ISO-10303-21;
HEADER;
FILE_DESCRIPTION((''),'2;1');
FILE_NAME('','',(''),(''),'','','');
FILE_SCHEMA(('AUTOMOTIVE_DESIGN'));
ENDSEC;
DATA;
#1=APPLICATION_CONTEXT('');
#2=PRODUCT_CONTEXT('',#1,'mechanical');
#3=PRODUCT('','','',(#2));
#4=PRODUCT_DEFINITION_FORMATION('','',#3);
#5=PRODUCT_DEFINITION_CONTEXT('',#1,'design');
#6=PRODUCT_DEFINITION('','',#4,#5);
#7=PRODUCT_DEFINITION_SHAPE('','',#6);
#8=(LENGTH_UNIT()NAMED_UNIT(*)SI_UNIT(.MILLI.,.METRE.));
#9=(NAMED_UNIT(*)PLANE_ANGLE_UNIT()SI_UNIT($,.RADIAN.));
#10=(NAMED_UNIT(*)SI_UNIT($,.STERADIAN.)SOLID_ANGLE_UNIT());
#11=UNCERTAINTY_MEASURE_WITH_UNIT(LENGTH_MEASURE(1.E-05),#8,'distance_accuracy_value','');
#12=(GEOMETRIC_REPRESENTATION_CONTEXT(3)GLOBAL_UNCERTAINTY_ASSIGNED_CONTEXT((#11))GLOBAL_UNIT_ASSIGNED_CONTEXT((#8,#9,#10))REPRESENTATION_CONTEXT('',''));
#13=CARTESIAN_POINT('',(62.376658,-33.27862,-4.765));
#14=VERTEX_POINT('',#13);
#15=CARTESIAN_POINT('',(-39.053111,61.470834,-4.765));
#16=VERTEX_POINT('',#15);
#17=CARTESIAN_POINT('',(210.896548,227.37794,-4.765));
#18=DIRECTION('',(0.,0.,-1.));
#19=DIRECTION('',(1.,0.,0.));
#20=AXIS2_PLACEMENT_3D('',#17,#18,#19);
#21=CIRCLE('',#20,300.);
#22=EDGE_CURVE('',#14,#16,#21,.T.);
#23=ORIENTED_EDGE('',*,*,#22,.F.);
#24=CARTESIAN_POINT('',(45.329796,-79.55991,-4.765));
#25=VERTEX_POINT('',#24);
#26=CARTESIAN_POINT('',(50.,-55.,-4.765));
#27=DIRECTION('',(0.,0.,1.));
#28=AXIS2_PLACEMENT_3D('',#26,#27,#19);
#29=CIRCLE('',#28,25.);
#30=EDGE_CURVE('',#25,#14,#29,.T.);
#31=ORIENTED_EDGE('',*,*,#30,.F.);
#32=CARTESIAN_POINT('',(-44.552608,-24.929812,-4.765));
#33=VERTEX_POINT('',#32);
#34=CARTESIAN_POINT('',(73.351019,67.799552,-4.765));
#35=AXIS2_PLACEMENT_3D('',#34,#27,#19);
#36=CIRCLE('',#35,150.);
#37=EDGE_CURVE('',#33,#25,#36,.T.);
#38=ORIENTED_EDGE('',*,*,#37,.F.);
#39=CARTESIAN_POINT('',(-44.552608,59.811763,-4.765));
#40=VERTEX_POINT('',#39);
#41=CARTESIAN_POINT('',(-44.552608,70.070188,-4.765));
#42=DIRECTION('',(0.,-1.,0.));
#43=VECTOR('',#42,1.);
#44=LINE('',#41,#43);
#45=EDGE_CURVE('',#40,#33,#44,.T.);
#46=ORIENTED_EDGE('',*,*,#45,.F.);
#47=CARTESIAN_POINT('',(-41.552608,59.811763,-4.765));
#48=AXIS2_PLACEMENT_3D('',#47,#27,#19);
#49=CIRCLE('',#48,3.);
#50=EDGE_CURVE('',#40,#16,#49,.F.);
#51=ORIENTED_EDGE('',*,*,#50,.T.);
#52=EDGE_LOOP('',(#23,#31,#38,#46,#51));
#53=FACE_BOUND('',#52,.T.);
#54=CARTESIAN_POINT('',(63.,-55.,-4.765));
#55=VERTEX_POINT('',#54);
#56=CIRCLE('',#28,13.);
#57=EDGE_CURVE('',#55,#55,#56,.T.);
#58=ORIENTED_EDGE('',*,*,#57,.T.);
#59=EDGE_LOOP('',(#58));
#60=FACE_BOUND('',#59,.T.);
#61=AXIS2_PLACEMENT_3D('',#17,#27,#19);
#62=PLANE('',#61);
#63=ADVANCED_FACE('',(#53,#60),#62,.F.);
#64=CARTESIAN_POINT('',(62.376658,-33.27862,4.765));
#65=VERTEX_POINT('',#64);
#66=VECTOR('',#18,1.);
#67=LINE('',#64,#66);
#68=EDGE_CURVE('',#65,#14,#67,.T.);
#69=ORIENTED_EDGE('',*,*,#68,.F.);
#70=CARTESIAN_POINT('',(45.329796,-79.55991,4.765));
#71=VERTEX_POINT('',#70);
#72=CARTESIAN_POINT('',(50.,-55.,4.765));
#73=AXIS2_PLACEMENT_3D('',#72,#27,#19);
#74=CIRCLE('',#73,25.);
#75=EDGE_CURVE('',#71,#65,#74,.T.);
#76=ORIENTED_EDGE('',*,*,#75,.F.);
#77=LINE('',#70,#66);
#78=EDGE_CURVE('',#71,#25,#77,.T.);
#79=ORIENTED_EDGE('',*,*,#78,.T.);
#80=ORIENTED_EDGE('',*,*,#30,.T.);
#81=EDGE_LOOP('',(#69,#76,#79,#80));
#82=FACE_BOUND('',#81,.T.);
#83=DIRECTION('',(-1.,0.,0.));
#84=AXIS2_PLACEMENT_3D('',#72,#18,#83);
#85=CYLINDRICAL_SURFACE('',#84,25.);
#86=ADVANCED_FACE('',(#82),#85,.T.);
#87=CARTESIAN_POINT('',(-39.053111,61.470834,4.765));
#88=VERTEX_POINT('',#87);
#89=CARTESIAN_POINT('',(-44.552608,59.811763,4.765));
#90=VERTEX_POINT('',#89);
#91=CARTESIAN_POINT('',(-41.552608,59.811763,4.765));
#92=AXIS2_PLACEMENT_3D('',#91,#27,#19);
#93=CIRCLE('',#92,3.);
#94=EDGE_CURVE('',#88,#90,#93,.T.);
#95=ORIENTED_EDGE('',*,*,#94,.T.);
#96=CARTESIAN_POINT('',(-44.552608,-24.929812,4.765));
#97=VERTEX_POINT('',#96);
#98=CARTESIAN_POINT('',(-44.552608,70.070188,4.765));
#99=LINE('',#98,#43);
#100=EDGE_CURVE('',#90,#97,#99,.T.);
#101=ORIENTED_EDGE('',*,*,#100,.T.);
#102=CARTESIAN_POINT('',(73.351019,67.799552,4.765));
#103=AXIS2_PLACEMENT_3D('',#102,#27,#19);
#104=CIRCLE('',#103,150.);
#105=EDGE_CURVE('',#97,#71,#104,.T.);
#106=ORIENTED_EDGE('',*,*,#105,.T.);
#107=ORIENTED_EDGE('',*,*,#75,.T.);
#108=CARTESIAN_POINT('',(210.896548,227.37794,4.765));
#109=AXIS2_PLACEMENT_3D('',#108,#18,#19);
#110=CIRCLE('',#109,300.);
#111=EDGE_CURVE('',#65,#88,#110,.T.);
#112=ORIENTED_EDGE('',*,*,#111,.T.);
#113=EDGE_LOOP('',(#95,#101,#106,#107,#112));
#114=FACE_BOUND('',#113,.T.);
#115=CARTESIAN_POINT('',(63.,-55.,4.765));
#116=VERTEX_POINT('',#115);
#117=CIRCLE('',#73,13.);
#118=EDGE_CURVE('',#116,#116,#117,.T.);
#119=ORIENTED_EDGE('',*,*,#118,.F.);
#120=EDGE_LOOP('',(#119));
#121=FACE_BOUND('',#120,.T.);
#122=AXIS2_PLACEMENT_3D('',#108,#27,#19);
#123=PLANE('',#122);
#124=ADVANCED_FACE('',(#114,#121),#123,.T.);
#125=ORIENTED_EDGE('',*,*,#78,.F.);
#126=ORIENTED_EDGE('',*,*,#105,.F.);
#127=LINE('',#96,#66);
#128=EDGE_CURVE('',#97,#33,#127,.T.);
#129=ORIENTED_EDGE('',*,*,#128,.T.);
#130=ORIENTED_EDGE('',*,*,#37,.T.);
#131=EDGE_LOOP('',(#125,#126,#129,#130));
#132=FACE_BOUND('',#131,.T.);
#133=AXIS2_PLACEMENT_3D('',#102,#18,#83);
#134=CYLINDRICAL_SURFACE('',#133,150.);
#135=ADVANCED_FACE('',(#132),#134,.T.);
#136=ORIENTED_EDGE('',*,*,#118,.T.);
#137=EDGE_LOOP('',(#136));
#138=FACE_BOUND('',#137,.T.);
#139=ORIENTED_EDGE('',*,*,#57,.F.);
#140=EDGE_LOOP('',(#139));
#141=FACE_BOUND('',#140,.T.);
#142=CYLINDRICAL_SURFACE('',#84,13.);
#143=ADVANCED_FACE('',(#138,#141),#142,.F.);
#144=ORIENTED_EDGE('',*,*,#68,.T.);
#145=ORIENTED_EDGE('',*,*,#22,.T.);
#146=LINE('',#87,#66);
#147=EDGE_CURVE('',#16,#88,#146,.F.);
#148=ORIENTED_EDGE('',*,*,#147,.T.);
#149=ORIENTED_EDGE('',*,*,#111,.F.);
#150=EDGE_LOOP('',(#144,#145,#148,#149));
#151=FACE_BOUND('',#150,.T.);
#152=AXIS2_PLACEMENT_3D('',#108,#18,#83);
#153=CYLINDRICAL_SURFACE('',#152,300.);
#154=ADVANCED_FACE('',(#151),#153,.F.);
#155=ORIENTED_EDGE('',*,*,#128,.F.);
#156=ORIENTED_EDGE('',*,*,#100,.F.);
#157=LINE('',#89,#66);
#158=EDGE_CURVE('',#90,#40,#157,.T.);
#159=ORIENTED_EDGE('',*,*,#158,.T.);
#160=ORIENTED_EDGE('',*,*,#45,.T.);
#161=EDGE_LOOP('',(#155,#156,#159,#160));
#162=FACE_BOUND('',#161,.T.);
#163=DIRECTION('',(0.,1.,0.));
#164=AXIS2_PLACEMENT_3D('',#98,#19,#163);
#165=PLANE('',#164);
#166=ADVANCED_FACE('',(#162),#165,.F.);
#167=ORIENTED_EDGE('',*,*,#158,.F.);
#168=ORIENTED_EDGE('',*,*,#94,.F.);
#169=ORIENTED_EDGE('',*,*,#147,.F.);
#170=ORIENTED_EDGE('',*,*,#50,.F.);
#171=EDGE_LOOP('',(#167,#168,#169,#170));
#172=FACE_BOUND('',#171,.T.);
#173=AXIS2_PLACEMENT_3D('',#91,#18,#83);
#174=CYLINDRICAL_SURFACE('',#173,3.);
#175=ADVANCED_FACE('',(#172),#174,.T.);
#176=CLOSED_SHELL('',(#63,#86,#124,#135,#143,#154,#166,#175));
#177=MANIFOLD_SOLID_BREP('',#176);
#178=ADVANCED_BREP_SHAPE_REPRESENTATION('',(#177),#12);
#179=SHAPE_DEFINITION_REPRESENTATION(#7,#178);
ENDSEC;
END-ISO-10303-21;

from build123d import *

# Parameters (mm, degrees)
CROQUIS1_R              = 13
SALIENTE_EXTRUIR1_DEPTH = 4.765
REDONDEO2_R             = 3


with BuildPart() as part:
    # Croquis1 → Saliente-Extruir1 (new, symmetric)
    with BuildSketch(Plane.XY):
        with BuildLine():
            Line((-44.5526077, 70.070188004), (-44.5526077, -24.929811996))
            ThreePointArc((-44.5526077, -24.929811996), (-4.556794057, -60.38146366), (45.329796291, -79.559910369))
            ThreePointArc((45.329796291, -79.559910369), (73.459258652, -63.640786047), (62.376657562, -33.278620035))
            ThreePointArc((62.376657562, -33.278620035), (2.406760274, 11.66514835), (-44.5526077, 70.070188004))
        make_face()
        with Locations((50, -55)):
            Circle(CROQUIS1_R, mode=Mode.SUBTRACT)
    extrude(amount=SALIENTE_EXTRUIR1_DEPTH, both=True)

    # Redondeo2
    redondeo2_edges = [part.edges().sort_by_distance(p)[0] for p in [
        (-44.5526077, 70.070188004, 0),
    ]]
    fillet(redondeo2_edges, radius=REDONDEO2_R)


solid = part.part
